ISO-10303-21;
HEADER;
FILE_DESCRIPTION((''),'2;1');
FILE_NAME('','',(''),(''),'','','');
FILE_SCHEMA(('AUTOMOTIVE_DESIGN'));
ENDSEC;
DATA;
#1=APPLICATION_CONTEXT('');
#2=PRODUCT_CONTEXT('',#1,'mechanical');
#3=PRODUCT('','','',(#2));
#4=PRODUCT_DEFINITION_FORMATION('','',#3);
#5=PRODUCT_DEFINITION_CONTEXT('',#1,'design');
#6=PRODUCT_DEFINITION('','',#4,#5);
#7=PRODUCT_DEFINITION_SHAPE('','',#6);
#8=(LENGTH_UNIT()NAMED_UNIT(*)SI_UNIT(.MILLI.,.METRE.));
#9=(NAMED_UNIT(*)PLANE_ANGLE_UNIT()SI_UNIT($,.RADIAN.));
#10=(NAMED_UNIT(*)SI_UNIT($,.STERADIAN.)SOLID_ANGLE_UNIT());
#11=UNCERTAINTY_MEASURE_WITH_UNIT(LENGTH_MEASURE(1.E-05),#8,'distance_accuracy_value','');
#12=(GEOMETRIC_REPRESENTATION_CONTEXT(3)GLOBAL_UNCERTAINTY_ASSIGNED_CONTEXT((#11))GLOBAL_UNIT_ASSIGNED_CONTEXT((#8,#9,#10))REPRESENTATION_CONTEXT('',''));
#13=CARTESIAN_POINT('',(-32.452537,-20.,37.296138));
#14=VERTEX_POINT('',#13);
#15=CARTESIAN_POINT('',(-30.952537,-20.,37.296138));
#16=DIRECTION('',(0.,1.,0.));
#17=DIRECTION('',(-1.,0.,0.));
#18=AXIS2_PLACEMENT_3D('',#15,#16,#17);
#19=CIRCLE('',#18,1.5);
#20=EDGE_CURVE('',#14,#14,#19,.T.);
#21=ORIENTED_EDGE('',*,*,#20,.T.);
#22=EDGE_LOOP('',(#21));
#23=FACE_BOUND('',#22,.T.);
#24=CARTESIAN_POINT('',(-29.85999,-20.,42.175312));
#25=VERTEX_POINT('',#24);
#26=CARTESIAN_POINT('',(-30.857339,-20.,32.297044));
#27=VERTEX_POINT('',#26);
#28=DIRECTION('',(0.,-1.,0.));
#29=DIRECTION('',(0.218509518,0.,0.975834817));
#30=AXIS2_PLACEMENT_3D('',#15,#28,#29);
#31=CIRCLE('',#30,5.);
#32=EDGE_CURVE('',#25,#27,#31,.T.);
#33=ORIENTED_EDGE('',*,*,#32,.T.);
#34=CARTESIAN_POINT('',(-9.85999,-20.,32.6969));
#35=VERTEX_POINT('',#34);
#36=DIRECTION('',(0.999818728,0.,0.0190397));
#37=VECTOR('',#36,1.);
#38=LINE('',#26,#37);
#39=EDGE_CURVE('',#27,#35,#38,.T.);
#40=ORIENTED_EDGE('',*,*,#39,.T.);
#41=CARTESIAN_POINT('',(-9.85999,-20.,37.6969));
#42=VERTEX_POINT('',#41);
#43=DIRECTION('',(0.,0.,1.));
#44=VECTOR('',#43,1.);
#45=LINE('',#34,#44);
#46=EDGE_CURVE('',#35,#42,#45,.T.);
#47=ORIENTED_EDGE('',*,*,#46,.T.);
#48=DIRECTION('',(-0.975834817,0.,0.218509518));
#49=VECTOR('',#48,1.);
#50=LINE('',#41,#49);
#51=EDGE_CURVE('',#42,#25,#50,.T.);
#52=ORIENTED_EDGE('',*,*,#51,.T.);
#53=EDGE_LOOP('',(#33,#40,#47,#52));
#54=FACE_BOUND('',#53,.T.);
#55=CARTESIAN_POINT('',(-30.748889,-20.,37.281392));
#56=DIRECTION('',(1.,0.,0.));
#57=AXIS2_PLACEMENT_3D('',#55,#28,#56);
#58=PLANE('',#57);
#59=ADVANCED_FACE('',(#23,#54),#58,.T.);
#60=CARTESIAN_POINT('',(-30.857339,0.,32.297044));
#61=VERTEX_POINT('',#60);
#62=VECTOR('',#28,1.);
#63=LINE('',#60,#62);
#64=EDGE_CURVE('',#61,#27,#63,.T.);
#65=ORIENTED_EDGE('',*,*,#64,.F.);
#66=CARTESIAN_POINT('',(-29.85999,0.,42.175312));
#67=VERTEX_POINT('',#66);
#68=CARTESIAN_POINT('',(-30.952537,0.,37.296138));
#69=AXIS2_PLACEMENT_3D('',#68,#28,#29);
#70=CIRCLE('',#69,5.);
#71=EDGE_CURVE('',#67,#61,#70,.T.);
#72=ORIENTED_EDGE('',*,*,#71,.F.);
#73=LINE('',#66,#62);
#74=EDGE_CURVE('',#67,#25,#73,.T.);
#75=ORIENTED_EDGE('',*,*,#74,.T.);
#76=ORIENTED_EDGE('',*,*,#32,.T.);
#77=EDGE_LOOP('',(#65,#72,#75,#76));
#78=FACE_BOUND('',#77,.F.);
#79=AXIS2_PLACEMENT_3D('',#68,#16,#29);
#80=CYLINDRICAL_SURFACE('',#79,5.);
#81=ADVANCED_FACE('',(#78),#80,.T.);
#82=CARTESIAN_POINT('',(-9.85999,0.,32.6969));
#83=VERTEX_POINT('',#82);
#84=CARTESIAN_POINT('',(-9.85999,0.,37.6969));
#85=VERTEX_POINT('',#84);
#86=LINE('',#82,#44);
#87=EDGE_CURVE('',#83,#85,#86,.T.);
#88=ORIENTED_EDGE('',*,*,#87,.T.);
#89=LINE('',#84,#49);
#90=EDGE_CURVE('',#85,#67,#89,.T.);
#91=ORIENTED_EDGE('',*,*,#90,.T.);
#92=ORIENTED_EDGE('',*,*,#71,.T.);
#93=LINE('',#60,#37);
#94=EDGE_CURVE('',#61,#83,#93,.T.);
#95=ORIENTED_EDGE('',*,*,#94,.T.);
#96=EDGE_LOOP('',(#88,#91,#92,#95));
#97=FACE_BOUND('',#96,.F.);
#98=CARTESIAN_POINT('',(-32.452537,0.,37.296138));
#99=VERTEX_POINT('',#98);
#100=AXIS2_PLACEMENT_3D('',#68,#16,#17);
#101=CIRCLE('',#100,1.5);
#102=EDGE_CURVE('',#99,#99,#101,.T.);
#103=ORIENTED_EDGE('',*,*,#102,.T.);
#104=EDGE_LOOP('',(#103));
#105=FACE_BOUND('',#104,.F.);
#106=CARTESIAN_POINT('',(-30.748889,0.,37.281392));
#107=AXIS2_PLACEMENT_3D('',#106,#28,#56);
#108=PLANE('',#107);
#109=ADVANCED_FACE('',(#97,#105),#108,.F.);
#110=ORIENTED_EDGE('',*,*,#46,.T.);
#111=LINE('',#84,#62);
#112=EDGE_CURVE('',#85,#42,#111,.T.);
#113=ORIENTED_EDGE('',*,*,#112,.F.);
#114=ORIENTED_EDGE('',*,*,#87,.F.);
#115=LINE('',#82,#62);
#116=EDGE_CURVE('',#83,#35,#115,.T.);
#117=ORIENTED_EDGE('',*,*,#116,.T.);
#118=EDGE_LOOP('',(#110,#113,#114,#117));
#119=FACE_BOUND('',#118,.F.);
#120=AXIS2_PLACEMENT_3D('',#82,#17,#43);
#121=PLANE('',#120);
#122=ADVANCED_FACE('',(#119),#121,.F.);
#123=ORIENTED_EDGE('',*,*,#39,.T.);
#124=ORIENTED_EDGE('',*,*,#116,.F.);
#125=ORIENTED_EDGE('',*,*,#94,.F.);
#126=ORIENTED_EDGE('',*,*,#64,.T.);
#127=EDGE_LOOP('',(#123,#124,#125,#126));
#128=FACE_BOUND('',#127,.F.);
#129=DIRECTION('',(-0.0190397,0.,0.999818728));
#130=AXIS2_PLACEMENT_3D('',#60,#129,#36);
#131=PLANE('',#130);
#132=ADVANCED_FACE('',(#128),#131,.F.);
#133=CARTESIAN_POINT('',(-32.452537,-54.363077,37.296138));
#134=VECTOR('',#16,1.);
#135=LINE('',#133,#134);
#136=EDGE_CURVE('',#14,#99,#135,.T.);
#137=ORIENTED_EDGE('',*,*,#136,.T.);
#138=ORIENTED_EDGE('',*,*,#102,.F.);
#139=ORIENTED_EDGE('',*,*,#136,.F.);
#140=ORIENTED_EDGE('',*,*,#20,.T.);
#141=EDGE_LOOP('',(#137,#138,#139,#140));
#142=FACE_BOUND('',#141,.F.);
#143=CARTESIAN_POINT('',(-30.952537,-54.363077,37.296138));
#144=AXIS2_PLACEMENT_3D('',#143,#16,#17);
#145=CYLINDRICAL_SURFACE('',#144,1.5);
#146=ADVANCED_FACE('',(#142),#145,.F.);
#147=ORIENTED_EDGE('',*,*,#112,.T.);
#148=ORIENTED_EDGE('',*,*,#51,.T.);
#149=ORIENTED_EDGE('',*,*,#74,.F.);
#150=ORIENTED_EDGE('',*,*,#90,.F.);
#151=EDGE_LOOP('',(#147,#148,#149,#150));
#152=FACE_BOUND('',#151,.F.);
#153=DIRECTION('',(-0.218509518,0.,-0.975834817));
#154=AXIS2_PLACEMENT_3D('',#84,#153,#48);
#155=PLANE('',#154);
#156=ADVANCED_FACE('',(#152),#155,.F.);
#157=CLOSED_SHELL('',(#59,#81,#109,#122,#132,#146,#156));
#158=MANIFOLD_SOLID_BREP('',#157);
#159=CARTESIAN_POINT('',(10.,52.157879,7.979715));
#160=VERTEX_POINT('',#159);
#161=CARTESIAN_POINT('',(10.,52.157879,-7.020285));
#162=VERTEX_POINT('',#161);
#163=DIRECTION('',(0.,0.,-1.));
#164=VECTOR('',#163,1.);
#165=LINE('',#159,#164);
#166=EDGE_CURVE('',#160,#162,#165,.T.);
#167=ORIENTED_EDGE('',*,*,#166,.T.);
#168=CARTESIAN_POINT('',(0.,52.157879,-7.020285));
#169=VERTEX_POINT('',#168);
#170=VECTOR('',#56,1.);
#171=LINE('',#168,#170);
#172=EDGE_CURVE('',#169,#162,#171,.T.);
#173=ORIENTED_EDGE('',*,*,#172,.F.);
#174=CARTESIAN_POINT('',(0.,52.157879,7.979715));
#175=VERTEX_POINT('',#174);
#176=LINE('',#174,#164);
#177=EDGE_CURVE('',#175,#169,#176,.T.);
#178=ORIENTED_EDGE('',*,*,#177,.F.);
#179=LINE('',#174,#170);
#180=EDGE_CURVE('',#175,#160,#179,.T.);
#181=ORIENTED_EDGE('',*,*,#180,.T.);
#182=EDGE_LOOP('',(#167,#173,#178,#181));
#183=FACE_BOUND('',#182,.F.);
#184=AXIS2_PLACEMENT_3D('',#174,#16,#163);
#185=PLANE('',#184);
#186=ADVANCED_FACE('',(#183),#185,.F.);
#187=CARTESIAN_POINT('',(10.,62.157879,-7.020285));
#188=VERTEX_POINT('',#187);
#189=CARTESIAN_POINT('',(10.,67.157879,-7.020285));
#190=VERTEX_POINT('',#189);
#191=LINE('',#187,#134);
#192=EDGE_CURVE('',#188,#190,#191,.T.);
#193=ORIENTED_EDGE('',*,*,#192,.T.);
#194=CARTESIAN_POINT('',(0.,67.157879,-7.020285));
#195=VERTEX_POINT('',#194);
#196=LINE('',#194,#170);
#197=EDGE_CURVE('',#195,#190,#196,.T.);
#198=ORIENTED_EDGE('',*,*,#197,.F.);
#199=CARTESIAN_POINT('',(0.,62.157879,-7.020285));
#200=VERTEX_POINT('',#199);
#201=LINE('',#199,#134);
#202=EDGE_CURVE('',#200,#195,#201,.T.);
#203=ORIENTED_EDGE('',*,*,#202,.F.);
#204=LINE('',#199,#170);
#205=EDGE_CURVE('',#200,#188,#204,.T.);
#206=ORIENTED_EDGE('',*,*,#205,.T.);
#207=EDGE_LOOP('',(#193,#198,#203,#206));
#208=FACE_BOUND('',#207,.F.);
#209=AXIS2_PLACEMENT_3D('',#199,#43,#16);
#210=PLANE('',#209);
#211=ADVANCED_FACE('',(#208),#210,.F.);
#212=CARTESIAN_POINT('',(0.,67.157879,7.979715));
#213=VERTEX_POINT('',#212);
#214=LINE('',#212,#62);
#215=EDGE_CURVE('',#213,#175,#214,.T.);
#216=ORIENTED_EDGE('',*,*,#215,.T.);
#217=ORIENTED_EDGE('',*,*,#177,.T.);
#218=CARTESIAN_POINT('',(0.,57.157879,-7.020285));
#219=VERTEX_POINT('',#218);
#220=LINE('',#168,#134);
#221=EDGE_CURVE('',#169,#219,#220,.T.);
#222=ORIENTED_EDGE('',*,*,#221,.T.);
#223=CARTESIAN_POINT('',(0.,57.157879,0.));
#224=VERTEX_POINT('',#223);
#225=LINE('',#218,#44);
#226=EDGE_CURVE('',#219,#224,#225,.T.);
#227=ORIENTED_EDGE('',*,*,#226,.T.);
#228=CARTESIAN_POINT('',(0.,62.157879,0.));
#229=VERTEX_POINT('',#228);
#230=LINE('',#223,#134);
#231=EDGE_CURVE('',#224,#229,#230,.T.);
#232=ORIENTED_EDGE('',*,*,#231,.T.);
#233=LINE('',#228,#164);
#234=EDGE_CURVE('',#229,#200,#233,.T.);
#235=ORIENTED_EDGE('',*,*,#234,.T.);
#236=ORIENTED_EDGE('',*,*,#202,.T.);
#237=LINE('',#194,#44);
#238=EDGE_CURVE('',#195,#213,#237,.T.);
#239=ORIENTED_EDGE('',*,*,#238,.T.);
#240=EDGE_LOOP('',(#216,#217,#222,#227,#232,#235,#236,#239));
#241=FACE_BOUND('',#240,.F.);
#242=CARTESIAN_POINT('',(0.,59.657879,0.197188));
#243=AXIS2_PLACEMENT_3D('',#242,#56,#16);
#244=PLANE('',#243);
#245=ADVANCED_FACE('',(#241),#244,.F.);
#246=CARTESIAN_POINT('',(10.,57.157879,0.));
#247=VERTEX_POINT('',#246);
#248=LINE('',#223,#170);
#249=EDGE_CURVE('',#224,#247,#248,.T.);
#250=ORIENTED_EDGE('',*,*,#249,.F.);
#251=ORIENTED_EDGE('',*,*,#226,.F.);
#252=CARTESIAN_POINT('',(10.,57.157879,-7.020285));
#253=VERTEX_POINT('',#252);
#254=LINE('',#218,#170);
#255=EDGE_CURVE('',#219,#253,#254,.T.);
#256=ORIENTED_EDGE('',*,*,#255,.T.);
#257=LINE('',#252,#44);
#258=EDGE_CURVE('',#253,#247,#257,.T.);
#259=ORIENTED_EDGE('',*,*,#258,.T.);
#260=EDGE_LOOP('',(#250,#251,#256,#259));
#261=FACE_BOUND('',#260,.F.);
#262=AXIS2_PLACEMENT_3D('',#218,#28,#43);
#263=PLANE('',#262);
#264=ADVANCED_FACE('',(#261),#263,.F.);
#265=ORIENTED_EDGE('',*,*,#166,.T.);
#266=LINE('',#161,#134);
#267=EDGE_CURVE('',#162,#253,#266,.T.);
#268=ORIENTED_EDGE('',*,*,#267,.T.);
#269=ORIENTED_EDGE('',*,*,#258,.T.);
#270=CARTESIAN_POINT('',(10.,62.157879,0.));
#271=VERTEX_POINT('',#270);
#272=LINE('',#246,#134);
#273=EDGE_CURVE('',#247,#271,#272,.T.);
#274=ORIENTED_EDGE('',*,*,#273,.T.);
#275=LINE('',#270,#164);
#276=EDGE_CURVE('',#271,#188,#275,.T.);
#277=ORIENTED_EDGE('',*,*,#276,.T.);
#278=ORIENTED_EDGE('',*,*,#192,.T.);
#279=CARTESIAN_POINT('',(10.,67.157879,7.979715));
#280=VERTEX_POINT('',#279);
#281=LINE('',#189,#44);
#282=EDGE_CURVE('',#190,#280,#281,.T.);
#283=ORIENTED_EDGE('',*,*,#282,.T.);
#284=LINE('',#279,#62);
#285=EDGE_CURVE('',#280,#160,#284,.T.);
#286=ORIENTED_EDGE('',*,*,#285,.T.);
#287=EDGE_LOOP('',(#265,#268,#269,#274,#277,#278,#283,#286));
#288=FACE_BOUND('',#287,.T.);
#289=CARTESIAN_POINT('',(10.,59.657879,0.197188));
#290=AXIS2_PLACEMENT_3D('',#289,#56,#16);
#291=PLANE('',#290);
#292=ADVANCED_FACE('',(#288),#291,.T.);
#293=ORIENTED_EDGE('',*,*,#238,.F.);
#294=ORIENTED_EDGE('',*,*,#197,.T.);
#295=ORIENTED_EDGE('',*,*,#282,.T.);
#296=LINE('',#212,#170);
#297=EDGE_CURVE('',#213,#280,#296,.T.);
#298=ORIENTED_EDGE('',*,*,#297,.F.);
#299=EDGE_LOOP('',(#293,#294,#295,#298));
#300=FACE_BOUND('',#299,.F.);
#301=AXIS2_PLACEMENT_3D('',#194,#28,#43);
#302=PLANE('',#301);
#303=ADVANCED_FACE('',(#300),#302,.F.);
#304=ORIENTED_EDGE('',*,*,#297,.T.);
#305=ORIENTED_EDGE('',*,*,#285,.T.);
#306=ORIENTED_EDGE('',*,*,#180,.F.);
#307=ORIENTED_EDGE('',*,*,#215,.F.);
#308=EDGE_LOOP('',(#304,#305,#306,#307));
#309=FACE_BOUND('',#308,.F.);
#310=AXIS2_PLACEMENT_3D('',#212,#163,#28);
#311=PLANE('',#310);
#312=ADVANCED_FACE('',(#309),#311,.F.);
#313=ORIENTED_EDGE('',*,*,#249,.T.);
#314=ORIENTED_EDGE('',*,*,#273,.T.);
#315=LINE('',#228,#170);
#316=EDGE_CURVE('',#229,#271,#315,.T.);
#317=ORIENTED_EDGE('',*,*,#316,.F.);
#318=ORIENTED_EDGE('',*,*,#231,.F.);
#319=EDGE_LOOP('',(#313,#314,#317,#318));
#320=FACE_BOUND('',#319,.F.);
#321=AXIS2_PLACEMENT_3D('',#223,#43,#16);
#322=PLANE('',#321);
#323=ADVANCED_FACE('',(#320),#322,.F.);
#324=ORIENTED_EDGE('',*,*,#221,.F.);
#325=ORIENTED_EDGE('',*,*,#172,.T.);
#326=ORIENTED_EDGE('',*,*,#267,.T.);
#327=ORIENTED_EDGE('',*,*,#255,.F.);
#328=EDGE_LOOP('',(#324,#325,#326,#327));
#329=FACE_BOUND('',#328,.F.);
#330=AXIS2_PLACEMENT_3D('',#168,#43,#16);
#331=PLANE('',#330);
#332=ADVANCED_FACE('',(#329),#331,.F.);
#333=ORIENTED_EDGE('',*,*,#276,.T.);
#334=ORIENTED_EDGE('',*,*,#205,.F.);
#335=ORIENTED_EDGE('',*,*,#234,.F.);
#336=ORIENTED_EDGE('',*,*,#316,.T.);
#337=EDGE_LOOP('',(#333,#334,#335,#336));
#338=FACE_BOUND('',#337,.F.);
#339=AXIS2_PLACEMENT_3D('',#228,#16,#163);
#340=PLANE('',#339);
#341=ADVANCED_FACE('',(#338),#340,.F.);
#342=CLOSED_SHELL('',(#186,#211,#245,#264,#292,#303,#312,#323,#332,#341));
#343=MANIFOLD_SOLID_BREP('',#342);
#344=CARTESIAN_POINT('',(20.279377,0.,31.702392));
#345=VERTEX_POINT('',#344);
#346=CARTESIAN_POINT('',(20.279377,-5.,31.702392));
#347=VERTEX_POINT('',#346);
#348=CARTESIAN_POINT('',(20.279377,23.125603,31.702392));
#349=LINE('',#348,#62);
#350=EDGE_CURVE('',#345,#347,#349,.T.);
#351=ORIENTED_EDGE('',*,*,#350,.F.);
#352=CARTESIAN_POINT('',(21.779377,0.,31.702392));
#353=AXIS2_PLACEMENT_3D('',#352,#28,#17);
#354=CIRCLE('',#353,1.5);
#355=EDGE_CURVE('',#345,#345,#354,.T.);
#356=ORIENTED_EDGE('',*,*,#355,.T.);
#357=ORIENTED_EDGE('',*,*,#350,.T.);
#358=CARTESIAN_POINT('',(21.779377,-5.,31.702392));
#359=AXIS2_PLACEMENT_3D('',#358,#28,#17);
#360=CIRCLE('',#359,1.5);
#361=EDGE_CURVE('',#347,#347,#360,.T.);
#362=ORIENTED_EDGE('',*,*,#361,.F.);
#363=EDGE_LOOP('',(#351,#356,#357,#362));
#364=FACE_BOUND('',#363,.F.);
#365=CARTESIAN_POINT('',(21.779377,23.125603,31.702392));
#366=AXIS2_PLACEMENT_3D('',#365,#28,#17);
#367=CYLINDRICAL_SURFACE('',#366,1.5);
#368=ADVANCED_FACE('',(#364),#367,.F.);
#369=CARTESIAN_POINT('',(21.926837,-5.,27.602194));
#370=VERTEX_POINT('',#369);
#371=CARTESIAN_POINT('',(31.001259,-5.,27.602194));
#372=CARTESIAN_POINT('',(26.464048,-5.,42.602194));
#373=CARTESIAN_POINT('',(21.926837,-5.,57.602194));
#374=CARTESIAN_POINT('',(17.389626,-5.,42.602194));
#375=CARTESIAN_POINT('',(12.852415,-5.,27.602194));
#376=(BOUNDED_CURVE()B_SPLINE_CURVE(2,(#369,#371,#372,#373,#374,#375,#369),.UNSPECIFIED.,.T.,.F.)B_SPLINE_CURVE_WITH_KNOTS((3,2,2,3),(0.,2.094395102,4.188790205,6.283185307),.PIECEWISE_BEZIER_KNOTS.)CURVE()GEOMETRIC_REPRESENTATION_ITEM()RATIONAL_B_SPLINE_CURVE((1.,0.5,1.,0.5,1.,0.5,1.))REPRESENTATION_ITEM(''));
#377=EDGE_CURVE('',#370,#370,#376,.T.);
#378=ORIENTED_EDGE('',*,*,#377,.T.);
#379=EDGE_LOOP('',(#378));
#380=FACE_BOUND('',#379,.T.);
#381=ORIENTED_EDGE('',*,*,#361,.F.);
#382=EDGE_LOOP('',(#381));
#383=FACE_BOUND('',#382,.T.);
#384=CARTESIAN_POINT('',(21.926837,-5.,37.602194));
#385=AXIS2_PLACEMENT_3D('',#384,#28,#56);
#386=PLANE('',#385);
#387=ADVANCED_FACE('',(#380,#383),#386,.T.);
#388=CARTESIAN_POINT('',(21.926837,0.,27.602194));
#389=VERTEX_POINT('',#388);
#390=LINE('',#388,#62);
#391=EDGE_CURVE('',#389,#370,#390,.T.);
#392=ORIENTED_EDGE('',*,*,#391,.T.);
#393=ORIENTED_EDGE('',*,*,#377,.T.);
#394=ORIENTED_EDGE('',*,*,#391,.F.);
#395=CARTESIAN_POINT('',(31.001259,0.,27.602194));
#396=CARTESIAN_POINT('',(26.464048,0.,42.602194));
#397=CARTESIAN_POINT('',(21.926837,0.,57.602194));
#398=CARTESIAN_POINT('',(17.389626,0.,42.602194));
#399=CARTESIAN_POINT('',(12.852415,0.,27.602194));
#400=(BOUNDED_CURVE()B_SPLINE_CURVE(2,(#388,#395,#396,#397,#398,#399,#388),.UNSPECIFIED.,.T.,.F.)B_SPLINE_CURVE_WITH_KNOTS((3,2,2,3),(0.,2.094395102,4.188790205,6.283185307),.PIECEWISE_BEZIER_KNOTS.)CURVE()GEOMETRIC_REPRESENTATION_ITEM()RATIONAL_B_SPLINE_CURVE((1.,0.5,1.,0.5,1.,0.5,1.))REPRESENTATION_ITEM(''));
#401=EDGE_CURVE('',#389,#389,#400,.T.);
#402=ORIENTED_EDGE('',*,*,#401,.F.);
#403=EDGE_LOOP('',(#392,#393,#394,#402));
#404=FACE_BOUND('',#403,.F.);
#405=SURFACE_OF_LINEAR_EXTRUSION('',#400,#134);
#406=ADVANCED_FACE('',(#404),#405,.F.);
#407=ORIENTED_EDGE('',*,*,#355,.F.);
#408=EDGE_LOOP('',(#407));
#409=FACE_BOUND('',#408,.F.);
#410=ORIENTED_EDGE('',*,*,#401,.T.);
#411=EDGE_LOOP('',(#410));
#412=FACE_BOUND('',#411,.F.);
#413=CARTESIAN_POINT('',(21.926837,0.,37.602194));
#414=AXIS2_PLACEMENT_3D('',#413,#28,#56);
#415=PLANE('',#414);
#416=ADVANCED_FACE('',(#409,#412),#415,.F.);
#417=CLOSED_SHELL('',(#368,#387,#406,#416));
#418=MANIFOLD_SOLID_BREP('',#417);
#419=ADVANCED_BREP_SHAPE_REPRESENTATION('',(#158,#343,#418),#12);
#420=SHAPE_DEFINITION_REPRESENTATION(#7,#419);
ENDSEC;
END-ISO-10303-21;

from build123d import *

# Parameters (mm, degrees)
F1_DEPTH = 20
F3_D     = 3
F6_DEPTH = 5
F7_D     = 3
F9_DEPTH = 10


with BuildPart() as f1:
    # F0 (on Front) → F1 (new body)
    with BuildSketch(Plane.XZ):
        with BuildLine():
            ThreePointArc((-30.8573386087, 32.2970444928), (-27.3835041522, 33.7944237341), (-25.9525371099, 37.2961381352))
            ThreePointArc((-25.9525371099, 37.2961381352), (-27.0497984586, 40.4216190614), (-29.8599895179, 42.1753122209))
            ThreePointArc((-29.8599895179, 42.1753122209), (-35.9272459981, 37.7984044761), (-30.8573386087, 32.2970444928))
        make_face()
        with BuildLine():
            ThreePointArc((-29.8599895179, 42.1753122209), (-27.0497984586, 40.4216190614), (-25.9525371099, 37.2961381352))
            ThreePointArc((-25.9525371099, 37.2961381352), (-27.3835041522, 33.7944237341), (-30.8573386087, 32.2970444928))
            Line((-30.8573386087, 32.2970444928), (-9.8599895179, 32.6969002077))
            Line((-9.8599895179, 32.6969002077), (-9.8599895179, 37.6969002077))
            Line((-9.8599895179, 37.6969002077), (-29.8599895179, 42.1753122209))
        make_face()
    extrude(amount=F1_DEPTH)

    # F3 (through all)
    with Locations(Plane.XZ.offset(20)):
        with Locations((-30.9525371099, 37.2961381352)):
            Hole(F3_D / 2)


with BuildPart() as f6:
    # F4 (on Front) → F6 (new body)
    with BuildSketch(Plane.XZ):
        with BuildLine():
            add(Edge.make_bspline(
                [(21.926837042, 27.6021936536), (31.0012587847, 27.6021936536), (26.4640479133, 42.6021936536), (21.926837042, 57.6021936536), (17.3896261706, 42.6021936536), (12.8524152992, 27.6021936536), (21.926837042, 27.6021936536)],
                knots=[0, 0, 0, 2.0943951024, 2.0943951024, 4.1887902048, 4.1887902048, 6.2831853072, 6.2831853072, 6.2831853072], degree=2, weights=[1, 0.5, 1, 0.5, 1, 0.5, 1]))
        make_face()
    extrude(amount=F6_DEPTH)

    # F7 (through all)
    with Locations(Plane(origin=(0, 0, 0), x_dir=(1, 0, 0), z_dir=(0, 1, 0))):
        with Locations((21.7793770134, -31.7023918033)):
            Hole(F7_D / 2)


with BuildPart() as f9:
    # F8 (on Right) → F9 (new body)
    with BuildSketch(Plane.YZ):
        Polygon((57.1578788757, 0), (62.1578788757, 0), (62.1578788757, -7.0202852738), (67.1578788757, -7.0202852738), (67.1578788757, 7.9797147262), (52.1578788757, 7.9797147262), (52.1578788757, -7.0202852738), (57.1578788757, -7.0202852738), align=None)
    extrude(amount=F9_DEPTH)


solid = Compound([f1.part, f6.part, f9.part])
